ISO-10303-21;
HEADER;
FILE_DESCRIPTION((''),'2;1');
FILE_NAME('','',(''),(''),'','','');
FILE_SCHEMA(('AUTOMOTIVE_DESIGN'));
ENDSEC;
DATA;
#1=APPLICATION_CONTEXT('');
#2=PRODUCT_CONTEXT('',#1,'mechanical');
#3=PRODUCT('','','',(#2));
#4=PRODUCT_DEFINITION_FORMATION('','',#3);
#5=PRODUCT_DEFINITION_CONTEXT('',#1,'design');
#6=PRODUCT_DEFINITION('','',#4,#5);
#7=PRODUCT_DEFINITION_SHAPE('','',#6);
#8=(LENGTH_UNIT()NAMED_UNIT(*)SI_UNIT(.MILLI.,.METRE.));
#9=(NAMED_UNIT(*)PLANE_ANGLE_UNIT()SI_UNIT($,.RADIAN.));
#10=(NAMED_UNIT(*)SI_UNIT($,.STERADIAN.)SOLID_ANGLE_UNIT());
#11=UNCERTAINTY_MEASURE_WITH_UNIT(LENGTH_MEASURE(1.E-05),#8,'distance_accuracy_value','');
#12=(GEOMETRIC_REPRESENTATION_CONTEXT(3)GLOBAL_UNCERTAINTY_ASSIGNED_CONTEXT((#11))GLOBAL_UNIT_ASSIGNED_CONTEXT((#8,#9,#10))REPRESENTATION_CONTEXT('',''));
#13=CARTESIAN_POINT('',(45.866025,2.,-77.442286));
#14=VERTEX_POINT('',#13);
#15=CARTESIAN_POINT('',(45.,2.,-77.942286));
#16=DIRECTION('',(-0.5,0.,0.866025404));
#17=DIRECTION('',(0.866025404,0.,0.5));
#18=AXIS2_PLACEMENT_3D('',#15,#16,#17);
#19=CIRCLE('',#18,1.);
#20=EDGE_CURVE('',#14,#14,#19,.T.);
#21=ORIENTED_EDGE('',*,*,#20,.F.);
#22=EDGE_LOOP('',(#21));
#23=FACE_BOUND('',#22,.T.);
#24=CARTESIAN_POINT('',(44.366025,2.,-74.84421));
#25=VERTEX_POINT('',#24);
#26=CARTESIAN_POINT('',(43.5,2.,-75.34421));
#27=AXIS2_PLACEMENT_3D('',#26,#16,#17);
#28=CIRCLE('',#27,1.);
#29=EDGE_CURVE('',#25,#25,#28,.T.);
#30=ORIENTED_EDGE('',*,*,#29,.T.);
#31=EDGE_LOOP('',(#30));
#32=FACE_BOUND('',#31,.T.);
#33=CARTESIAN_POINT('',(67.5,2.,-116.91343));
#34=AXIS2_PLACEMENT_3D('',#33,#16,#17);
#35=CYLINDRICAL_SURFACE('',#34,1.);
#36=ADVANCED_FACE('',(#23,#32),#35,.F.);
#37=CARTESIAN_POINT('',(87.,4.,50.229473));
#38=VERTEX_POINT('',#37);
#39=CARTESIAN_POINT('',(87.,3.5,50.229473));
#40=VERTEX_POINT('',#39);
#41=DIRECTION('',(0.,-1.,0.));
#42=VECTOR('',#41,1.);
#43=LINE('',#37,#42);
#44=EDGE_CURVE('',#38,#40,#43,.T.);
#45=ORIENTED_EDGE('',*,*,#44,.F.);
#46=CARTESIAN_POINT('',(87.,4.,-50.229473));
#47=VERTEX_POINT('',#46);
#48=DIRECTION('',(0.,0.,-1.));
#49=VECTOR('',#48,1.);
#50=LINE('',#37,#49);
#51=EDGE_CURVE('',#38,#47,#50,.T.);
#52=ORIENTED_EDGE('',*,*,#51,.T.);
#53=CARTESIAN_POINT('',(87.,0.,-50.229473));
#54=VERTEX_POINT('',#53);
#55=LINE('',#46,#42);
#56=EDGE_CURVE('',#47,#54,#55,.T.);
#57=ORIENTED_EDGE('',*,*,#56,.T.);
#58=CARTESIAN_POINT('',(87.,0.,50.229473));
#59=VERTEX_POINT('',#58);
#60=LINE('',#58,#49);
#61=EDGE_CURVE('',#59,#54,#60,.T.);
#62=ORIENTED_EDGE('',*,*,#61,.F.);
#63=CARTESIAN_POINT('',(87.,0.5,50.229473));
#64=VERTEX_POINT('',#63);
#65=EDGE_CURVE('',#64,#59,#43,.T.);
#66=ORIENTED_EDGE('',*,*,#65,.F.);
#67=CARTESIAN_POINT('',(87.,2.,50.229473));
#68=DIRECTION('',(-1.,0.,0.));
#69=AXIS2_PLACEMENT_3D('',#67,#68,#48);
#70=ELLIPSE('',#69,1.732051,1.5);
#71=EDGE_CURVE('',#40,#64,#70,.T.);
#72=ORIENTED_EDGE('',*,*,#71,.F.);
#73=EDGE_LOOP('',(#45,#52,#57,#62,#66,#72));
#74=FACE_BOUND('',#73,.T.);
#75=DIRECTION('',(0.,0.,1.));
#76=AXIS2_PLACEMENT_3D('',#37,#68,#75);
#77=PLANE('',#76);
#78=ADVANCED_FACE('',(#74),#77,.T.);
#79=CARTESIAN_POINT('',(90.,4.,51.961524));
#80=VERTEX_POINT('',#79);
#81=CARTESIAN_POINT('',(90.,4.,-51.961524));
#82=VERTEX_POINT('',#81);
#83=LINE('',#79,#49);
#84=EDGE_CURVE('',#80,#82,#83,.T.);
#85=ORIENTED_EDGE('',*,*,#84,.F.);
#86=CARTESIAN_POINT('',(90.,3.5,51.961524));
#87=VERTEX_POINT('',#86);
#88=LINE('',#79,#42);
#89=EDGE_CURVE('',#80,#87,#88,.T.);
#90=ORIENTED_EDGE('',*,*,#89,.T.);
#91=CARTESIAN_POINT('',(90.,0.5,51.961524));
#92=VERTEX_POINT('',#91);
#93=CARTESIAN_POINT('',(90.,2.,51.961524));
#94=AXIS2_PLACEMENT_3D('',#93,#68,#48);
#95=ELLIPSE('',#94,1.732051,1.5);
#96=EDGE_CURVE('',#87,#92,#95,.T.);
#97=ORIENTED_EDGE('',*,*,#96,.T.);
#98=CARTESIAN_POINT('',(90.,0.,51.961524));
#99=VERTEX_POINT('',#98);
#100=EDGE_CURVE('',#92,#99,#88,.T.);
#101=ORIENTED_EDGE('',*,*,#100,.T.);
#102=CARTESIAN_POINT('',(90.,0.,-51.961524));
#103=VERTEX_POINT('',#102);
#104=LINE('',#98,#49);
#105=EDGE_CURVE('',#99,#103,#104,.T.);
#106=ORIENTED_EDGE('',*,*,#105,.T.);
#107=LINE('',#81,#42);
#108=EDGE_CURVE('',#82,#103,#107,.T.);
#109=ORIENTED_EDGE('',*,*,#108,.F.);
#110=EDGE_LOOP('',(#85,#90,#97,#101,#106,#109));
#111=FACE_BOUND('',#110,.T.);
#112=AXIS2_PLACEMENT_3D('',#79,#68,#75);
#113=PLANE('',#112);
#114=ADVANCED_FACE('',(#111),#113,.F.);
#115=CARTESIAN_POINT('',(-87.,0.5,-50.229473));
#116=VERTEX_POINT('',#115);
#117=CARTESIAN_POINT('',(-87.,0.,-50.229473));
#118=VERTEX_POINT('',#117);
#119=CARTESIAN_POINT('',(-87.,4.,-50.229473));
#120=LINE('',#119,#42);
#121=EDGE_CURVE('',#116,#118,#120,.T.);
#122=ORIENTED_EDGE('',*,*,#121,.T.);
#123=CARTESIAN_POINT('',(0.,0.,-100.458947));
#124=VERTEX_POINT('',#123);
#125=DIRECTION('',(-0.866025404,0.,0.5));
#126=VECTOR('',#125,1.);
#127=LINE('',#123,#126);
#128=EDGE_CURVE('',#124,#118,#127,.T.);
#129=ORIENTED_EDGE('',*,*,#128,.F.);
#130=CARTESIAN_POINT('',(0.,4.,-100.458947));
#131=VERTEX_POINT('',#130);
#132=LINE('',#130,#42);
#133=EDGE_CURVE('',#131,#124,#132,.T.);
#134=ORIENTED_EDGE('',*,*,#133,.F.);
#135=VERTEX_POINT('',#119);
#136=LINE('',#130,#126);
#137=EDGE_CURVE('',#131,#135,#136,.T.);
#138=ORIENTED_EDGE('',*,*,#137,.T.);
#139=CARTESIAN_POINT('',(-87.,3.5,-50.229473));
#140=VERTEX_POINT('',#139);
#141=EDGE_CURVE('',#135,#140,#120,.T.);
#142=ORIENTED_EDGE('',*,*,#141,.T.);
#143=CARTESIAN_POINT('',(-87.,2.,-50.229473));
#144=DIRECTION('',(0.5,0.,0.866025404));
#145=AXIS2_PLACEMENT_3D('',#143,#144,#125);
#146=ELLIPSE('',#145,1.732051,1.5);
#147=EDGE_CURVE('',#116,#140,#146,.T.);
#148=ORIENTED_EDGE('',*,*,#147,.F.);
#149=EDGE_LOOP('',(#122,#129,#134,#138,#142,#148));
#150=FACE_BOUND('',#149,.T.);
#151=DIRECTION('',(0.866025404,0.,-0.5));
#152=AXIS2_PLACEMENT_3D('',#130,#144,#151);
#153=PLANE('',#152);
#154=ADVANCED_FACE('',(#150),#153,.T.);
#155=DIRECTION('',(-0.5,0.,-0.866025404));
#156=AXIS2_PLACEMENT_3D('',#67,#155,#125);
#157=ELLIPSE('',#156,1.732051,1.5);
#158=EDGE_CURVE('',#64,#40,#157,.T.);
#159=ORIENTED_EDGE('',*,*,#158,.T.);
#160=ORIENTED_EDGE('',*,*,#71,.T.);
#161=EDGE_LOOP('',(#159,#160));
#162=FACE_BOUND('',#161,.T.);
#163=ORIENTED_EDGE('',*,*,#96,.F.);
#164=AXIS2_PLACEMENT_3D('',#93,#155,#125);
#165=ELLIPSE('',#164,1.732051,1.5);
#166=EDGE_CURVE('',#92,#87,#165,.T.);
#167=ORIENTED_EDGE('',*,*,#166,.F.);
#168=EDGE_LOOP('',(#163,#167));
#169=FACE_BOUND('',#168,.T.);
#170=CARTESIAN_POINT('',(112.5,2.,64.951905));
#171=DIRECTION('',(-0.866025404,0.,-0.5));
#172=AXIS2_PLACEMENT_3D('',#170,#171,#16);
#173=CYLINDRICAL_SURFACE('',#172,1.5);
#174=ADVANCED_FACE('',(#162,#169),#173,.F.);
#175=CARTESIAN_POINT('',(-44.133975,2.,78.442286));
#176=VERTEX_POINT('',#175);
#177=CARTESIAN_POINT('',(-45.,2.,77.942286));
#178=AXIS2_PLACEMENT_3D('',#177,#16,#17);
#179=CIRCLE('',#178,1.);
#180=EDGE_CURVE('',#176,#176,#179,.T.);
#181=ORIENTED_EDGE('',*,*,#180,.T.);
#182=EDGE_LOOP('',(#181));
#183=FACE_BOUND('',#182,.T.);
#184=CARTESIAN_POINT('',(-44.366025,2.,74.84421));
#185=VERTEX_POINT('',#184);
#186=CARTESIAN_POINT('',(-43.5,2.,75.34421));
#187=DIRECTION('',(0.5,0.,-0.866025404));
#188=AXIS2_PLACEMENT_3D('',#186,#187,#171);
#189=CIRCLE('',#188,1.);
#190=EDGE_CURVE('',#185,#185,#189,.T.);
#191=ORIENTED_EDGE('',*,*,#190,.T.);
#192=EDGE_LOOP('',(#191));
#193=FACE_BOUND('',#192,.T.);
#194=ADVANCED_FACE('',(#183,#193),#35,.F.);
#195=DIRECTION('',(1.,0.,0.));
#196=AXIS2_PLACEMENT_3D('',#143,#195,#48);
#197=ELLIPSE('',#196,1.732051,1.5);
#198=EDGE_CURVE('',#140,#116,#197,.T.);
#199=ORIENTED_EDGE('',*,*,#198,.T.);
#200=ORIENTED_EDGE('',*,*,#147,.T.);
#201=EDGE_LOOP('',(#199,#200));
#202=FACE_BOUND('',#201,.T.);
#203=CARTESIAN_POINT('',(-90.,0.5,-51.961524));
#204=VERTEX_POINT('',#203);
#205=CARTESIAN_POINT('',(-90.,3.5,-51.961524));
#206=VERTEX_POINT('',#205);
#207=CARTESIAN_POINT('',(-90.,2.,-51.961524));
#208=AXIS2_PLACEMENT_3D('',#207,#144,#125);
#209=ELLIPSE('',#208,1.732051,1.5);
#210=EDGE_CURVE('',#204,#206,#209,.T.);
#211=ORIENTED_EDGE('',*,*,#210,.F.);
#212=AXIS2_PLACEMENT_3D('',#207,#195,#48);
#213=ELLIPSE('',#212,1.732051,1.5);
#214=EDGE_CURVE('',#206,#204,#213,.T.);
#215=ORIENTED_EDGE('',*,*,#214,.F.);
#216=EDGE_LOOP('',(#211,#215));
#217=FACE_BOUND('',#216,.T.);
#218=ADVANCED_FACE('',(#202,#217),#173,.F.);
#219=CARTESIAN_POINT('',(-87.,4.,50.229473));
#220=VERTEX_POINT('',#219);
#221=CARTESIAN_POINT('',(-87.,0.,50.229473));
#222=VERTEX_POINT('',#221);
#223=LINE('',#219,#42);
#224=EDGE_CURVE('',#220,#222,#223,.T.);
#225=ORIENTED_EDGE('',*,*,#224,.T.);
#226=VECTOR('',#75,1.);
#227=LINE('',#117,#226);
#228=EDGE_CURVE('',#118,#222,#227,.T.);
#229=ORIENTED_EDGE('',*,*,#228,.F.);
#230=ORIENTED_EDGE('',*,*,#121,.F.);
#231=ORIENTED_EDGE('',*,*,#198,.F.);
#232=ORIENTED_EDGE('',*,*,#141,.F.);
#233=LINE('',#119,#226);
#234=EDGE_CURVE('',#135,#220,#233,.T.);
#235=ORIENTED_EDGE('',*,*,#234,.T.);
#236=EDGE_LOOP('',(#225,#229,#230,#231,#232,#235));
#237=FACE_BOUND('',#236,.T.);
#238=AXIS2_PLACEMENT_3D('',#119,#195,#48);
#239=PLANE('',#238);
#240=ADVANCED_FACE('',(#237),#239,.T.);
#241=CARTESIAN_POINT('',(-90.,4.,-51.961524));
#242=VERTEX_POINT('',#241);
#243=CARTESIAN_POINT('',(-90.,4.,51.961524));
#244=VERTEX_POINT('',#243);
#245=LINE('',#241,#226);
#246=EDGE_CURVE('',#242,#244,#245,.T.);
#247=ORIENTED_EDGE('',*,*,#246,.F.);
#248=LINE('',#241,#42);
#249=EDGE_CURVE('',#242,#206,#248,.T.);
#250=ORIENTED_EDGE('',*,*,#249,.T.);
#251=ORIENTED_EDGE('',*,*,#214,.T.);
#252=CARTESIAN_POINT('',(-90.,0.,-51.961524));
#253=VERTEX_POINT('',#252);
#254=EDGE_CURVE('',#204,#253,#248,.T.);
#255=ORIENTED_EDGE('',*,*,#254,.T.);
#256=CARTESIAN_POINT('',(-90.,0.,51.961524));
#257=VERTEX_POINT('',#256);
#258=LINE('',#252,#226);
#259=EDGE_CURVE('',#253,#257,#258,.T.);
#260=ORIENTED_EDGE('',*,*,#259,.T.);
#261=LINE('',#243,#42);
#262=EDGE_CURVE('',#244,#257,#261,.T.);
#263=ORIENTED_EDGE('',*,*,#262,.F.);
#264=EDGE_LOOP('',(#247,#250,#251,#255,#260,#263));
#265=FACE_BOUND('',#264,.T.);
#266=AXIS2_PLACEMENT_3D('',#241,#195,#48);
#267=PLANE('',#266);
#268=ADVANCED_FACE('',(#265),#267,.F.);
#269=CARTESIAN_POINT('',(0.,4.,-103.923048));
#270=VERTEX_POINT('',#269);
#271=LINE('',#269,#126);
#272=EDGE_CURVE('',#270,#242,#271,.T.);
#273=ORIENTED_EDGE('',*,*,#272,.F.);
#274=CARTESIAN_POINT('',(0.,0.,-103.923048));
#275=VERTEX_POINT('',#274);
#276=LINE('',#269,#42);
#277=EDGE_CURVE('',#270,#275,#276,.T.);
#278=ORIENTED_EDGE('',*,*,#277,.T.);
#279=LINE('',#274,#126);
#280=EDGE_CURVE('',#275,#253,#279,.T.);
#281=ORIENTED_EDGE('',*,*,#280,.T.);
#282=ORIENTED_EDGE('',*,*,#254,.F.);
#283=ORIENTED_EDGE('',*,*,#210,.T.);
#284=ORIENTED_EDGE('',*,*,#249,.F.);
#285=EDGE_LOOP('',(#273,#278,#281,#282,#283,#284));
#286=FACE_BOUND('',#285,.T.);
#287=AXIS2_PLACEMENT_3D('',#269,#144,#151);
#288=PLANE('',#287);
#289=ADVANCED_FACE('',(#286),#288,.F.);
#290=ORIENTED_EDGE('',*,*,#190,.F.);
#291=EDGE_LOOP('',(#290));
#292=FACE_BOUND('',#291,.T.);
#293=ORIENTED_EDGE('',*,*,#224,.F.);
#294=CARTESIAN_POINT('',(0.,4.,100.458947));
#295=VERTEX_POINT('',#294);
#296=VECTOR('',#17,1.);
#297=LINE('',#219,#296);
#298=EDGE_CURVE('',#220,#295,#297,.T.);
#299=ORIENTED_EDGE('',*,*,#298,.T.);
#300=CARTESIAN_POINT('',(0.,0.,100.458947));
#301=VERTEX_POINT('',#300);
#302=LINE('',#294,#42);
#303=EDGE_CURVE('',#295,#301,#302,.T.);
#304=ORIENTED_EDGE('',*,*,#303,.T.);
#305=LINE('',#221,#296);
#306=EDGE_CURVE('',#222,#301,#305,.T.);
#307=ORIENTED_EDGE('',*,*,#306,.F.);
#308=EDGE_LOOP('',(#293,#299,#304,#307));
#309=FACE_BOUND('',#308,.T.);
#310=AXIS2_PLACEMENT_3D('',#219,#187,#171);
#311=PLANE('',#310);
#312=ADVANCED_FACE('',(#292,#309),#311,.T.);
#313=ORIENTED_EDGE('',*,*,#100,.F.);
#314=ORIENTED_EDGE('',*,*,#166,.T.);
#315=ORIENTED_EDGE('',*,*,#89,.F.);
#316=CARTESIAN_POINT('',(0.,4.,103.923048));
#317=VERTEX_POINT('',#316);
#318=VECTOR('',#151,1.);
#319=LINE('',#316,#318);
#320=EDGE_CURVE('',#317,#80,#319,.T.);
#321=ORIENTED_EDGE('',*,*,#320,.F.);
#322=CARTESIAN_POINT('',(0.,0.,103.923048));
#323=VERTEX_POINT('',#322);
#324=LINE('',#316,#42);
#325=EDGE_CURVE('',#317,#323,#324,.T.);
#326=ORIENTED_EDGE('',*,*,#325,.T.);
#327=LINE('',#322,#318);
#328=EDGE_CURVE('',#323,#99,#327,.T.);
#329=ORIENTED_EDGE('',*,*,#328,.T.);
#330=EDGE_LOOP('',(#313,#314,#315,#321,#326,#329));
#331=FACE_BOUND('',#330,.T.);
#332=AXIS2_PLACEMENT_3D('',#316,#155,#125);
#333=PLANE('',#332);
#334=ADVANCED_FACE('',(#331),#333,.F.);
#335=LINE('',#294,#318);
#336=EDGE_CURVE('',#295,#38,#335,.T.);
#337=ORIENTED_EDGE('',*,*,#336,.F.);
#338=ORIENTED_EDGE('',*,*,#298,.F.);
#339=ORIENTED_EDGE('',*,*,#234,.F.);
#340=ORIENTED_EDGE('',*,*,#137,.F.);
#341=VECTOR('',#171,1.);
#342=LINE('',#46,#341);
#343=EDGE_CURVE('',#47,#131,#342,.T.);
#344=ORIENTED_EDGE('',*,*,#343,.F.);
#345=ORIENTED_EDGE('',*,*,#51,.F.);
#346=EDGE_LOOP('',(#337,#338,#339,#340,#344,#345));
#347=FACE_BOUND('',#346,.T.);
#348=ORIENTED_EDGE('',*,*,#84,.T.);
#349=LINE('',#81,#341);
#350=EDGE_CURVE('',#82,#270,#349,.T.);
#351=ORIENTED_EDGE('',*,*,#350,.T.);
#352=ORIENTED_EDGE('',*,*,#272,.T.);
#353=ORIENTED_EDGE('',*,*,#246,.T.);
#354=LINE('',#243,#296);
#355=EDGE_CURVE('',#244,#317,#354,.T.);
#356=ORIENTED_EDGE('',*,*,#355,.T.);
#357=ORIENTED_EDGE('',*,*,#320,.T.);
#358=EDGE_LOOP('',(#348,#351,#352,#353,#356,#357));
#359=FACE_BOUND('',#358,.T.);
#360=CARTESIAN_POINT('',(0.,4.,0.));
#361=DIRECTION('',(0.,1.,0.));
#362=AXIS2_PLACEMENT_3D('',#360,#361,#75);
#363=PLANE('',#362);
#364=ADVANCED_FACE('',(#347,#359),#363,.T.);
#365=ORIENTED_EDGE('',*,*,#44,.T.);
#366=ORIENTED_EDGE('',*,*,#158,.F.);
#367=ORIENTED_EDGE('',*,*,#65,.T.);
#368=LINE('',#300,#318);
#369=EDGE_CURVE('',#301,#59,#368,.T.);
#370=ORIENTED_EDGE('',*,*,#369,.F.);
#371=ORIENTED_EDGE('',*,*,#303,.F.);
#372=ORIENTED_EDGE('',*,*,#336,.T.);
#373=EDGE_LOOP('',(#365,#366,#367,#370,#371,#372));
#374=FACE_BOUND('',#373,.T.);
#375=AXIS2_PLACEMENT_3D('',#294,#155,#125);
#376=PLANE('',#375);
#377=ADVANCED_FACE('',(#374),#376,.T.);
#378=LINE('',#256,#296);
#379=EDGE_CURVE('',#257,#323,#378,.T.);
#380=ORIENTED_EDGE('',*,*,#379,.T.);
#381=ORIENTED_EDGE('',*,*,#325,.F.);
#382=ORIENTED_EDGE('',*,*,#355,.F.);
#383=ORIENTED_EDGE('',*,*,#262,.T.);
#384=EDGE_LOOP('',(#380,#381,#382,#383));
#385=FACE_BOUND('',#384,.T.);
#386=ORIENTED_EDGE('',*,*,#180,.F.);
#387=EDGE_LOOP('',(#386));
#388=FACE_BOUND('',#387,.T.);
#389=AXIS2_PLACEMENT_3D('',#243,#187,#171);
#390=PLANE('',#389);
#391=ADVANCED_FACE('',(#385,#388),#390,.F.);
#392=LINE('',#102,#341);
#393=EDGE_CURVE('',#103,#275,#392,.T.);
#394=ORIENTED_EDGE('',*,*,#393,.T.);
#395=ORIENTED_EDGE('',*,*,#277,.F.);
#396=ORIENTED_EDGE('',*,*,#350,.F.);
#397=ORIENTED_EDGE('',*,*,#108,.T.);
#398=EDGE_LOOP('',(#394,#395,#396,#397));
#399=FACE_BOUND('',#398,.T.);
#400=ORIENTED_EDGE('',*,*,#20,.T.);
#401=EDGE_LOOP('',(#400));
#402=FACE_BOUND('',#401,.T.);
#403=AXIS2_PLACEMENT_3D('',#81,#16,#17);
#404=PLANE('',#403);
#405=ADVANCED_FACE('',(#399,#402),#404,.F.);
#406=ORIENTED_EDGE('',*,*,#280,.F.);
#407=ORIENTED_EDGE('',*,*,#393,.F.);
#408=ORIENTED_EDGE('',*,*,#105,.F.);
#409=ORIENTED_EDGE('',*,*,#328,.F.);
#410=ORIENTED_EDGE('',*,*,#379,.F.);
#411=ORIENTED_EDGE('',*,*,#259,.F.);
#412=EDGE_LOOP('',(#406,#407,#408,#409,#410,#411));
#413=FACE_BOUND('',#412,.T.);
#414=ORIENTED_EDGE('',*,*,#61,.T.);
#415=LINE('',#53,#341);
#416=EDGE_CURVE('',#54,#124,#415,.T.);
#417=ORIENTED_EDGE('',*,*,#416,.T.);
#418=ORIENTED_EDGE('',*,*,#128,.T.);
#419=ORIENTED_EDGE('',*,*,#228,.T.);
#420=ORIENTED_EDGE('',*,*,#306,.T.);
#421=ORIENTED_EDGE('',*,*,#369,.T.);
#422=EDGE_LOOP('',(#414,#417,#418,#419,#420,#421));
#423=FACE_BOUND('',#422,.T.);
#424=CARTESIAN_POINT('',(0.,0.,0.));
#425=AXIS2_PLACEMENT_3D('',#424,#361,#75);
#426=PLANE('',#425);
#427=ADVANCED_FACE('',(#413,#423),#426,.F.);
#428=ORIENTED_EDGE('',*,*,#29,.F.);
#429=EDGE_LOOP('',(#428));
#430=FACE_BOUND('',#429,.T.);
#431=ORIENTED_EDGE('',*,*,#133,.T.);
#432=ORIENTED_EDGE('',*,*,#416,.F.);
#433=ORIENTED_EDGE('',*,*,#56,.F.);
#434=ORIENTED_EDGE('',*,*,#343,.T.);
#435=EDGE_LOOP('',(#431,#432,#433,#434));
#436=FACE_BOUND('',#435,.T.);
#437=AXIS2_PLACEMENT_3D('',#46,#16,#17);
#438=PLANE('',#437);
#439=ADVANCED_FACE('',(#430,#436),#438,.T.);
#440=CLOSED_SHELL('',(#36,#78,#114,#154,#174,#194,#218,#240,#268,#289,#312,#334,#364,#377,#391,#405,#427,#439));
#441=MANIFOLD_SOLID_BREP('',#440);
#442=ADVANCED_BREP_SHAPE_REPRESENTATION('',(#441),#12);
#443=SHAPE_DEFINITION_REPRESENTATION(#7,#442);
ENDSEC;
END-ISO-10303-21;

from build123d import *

# Parameters (mm, degrees)
RESSALTO_EXTRUS_O1_DEPTH   = 4
ESBO_O2_R                  = 1
CORTE_EXTRUS_O1_DEPTH      = 227.530351
CORTE_EXTRUS_O2_DEPTH      = 186.712143
CORTE_EXTRUS_O2_DEPTH_BACK = 186.712143
ESBO_O3_R                  = 1.5


with BuildPart() as part:
    # Esboço1 → Ressalto-extrusão1 (new body)
    with BuildSketch(Plane(origin=(0, 0, 0), x_dir=(1, 0, 0), z_dir=(0, 1, 0))):
        Polygon((90, -51.961524), (90, 51.961524), (0, 103.923048), (-90, 51.961524), (-90, -51.961524), (0, -103.923048), align=None)
        Polygon((87, 50.229473), (0, 100.458947), (-87, 50.229473), (-87, -50.229473), (0, -100.458947), (87, -50.229473), align=None, mode=Mode.SUBTRACT)
    extrude(amount=RESSALTO_EXTRUS_O1_DEPTH)

    # Esboço2 → Corte-extrusão1 (cut, through all)
    with BuildSketch(Plane(origin=(-45, 0, 77.942286), x_dir=(0.8660254037844387, 0, 0.49999999999999994), z_dir=(-0.4999999999999999, 0, 0.8660254037844386))):
        with Locations((0, 2)):
            Circle(ESBO_O2_R)
    extrude(amount=-CORTE_EXTRUS_O1_DEPTH, mode=Mode.SUBTRACT)

    # Esboço3 → Corte-extrusão2 (cut, two sides: drawn at the far end of the back side and taken through both)
    with BuildSketch(Plane(origin=(-43.5, 0, -25.114737), x_dir=(-0.5, 0, 0.8660254037844386), z_dir=(-0.8660254037844387, 0, -0.5000000000000001)).offset(-CORTE_EXTRUS_O2_DEPTH_BACK)):
        with Locations(Location((0, 2, 0), (0, 0, 90))):
            Circle(ESBO_O3_R)
    extrude(amount=CORTE_EXTRUS_O2_DEPTH + CORTE_EXTRUS_O2_DEPTH_BACK, mode=Mode.SUBTRACT)


solid = part.part
